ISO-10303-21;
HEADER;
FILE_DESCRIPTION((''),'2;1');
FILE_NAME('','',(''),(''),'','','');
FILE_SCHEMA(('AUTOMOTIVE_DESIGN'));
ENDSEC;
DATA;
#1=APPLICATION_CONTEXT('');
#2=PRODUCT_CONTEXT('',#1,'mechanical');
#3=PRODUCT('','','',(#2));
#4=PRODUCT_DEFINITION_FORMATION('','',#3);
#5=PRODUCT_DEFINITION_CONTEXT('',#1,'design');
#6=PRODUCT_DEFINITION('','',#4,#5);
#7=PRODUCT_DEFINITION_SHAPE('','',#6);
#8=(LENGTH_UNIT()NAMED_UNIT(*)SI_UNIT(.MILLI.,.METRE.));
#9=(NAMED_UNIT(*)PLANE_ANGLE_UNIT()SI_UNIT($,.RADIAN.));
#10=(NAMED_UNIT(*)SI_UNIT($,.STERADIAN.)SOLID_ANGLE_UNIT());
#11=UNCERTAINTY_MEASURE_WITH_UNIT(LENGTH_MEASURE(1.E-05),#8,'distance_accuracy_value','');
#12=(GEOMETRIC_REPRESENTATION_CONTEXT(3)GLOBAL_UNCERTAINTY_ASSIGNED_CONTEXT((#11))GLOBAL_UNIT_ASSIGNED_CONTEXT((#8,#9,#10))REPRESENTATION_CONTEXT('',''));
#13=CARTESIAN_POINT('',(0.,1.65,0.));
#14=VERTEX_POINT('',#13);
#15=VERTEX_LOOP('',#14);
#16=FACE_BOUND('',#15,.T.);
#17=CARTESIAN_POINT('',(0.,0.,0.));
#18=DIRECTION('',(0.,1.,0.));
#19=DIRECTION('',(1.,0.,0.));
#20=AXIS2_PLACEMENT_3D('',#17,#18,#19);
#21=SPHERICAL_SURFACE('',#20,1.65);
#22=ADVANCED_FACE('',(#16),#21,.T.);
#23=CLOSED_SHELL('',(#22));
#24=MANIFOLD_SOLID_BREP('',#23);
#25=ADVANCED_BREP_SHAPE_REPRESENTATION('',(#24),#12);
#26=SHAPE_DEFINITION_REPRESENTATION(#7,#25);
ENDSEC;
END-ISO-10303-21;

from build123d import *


with BuildPart() as part:
    # Sketch1 → Revolve2 (revolve)
    with BuildSketch(Plane.XY):
        with BuildLine():
            Line((0, 1.65), (0, -1.65))
            ThreePointArc((0, -1.65), (-1.65, 0), (0, 1.65))
        make_face()
    revolve(axis=Axis((0, 1.65, 0), (0, -1, 0)))


solid = part.part
